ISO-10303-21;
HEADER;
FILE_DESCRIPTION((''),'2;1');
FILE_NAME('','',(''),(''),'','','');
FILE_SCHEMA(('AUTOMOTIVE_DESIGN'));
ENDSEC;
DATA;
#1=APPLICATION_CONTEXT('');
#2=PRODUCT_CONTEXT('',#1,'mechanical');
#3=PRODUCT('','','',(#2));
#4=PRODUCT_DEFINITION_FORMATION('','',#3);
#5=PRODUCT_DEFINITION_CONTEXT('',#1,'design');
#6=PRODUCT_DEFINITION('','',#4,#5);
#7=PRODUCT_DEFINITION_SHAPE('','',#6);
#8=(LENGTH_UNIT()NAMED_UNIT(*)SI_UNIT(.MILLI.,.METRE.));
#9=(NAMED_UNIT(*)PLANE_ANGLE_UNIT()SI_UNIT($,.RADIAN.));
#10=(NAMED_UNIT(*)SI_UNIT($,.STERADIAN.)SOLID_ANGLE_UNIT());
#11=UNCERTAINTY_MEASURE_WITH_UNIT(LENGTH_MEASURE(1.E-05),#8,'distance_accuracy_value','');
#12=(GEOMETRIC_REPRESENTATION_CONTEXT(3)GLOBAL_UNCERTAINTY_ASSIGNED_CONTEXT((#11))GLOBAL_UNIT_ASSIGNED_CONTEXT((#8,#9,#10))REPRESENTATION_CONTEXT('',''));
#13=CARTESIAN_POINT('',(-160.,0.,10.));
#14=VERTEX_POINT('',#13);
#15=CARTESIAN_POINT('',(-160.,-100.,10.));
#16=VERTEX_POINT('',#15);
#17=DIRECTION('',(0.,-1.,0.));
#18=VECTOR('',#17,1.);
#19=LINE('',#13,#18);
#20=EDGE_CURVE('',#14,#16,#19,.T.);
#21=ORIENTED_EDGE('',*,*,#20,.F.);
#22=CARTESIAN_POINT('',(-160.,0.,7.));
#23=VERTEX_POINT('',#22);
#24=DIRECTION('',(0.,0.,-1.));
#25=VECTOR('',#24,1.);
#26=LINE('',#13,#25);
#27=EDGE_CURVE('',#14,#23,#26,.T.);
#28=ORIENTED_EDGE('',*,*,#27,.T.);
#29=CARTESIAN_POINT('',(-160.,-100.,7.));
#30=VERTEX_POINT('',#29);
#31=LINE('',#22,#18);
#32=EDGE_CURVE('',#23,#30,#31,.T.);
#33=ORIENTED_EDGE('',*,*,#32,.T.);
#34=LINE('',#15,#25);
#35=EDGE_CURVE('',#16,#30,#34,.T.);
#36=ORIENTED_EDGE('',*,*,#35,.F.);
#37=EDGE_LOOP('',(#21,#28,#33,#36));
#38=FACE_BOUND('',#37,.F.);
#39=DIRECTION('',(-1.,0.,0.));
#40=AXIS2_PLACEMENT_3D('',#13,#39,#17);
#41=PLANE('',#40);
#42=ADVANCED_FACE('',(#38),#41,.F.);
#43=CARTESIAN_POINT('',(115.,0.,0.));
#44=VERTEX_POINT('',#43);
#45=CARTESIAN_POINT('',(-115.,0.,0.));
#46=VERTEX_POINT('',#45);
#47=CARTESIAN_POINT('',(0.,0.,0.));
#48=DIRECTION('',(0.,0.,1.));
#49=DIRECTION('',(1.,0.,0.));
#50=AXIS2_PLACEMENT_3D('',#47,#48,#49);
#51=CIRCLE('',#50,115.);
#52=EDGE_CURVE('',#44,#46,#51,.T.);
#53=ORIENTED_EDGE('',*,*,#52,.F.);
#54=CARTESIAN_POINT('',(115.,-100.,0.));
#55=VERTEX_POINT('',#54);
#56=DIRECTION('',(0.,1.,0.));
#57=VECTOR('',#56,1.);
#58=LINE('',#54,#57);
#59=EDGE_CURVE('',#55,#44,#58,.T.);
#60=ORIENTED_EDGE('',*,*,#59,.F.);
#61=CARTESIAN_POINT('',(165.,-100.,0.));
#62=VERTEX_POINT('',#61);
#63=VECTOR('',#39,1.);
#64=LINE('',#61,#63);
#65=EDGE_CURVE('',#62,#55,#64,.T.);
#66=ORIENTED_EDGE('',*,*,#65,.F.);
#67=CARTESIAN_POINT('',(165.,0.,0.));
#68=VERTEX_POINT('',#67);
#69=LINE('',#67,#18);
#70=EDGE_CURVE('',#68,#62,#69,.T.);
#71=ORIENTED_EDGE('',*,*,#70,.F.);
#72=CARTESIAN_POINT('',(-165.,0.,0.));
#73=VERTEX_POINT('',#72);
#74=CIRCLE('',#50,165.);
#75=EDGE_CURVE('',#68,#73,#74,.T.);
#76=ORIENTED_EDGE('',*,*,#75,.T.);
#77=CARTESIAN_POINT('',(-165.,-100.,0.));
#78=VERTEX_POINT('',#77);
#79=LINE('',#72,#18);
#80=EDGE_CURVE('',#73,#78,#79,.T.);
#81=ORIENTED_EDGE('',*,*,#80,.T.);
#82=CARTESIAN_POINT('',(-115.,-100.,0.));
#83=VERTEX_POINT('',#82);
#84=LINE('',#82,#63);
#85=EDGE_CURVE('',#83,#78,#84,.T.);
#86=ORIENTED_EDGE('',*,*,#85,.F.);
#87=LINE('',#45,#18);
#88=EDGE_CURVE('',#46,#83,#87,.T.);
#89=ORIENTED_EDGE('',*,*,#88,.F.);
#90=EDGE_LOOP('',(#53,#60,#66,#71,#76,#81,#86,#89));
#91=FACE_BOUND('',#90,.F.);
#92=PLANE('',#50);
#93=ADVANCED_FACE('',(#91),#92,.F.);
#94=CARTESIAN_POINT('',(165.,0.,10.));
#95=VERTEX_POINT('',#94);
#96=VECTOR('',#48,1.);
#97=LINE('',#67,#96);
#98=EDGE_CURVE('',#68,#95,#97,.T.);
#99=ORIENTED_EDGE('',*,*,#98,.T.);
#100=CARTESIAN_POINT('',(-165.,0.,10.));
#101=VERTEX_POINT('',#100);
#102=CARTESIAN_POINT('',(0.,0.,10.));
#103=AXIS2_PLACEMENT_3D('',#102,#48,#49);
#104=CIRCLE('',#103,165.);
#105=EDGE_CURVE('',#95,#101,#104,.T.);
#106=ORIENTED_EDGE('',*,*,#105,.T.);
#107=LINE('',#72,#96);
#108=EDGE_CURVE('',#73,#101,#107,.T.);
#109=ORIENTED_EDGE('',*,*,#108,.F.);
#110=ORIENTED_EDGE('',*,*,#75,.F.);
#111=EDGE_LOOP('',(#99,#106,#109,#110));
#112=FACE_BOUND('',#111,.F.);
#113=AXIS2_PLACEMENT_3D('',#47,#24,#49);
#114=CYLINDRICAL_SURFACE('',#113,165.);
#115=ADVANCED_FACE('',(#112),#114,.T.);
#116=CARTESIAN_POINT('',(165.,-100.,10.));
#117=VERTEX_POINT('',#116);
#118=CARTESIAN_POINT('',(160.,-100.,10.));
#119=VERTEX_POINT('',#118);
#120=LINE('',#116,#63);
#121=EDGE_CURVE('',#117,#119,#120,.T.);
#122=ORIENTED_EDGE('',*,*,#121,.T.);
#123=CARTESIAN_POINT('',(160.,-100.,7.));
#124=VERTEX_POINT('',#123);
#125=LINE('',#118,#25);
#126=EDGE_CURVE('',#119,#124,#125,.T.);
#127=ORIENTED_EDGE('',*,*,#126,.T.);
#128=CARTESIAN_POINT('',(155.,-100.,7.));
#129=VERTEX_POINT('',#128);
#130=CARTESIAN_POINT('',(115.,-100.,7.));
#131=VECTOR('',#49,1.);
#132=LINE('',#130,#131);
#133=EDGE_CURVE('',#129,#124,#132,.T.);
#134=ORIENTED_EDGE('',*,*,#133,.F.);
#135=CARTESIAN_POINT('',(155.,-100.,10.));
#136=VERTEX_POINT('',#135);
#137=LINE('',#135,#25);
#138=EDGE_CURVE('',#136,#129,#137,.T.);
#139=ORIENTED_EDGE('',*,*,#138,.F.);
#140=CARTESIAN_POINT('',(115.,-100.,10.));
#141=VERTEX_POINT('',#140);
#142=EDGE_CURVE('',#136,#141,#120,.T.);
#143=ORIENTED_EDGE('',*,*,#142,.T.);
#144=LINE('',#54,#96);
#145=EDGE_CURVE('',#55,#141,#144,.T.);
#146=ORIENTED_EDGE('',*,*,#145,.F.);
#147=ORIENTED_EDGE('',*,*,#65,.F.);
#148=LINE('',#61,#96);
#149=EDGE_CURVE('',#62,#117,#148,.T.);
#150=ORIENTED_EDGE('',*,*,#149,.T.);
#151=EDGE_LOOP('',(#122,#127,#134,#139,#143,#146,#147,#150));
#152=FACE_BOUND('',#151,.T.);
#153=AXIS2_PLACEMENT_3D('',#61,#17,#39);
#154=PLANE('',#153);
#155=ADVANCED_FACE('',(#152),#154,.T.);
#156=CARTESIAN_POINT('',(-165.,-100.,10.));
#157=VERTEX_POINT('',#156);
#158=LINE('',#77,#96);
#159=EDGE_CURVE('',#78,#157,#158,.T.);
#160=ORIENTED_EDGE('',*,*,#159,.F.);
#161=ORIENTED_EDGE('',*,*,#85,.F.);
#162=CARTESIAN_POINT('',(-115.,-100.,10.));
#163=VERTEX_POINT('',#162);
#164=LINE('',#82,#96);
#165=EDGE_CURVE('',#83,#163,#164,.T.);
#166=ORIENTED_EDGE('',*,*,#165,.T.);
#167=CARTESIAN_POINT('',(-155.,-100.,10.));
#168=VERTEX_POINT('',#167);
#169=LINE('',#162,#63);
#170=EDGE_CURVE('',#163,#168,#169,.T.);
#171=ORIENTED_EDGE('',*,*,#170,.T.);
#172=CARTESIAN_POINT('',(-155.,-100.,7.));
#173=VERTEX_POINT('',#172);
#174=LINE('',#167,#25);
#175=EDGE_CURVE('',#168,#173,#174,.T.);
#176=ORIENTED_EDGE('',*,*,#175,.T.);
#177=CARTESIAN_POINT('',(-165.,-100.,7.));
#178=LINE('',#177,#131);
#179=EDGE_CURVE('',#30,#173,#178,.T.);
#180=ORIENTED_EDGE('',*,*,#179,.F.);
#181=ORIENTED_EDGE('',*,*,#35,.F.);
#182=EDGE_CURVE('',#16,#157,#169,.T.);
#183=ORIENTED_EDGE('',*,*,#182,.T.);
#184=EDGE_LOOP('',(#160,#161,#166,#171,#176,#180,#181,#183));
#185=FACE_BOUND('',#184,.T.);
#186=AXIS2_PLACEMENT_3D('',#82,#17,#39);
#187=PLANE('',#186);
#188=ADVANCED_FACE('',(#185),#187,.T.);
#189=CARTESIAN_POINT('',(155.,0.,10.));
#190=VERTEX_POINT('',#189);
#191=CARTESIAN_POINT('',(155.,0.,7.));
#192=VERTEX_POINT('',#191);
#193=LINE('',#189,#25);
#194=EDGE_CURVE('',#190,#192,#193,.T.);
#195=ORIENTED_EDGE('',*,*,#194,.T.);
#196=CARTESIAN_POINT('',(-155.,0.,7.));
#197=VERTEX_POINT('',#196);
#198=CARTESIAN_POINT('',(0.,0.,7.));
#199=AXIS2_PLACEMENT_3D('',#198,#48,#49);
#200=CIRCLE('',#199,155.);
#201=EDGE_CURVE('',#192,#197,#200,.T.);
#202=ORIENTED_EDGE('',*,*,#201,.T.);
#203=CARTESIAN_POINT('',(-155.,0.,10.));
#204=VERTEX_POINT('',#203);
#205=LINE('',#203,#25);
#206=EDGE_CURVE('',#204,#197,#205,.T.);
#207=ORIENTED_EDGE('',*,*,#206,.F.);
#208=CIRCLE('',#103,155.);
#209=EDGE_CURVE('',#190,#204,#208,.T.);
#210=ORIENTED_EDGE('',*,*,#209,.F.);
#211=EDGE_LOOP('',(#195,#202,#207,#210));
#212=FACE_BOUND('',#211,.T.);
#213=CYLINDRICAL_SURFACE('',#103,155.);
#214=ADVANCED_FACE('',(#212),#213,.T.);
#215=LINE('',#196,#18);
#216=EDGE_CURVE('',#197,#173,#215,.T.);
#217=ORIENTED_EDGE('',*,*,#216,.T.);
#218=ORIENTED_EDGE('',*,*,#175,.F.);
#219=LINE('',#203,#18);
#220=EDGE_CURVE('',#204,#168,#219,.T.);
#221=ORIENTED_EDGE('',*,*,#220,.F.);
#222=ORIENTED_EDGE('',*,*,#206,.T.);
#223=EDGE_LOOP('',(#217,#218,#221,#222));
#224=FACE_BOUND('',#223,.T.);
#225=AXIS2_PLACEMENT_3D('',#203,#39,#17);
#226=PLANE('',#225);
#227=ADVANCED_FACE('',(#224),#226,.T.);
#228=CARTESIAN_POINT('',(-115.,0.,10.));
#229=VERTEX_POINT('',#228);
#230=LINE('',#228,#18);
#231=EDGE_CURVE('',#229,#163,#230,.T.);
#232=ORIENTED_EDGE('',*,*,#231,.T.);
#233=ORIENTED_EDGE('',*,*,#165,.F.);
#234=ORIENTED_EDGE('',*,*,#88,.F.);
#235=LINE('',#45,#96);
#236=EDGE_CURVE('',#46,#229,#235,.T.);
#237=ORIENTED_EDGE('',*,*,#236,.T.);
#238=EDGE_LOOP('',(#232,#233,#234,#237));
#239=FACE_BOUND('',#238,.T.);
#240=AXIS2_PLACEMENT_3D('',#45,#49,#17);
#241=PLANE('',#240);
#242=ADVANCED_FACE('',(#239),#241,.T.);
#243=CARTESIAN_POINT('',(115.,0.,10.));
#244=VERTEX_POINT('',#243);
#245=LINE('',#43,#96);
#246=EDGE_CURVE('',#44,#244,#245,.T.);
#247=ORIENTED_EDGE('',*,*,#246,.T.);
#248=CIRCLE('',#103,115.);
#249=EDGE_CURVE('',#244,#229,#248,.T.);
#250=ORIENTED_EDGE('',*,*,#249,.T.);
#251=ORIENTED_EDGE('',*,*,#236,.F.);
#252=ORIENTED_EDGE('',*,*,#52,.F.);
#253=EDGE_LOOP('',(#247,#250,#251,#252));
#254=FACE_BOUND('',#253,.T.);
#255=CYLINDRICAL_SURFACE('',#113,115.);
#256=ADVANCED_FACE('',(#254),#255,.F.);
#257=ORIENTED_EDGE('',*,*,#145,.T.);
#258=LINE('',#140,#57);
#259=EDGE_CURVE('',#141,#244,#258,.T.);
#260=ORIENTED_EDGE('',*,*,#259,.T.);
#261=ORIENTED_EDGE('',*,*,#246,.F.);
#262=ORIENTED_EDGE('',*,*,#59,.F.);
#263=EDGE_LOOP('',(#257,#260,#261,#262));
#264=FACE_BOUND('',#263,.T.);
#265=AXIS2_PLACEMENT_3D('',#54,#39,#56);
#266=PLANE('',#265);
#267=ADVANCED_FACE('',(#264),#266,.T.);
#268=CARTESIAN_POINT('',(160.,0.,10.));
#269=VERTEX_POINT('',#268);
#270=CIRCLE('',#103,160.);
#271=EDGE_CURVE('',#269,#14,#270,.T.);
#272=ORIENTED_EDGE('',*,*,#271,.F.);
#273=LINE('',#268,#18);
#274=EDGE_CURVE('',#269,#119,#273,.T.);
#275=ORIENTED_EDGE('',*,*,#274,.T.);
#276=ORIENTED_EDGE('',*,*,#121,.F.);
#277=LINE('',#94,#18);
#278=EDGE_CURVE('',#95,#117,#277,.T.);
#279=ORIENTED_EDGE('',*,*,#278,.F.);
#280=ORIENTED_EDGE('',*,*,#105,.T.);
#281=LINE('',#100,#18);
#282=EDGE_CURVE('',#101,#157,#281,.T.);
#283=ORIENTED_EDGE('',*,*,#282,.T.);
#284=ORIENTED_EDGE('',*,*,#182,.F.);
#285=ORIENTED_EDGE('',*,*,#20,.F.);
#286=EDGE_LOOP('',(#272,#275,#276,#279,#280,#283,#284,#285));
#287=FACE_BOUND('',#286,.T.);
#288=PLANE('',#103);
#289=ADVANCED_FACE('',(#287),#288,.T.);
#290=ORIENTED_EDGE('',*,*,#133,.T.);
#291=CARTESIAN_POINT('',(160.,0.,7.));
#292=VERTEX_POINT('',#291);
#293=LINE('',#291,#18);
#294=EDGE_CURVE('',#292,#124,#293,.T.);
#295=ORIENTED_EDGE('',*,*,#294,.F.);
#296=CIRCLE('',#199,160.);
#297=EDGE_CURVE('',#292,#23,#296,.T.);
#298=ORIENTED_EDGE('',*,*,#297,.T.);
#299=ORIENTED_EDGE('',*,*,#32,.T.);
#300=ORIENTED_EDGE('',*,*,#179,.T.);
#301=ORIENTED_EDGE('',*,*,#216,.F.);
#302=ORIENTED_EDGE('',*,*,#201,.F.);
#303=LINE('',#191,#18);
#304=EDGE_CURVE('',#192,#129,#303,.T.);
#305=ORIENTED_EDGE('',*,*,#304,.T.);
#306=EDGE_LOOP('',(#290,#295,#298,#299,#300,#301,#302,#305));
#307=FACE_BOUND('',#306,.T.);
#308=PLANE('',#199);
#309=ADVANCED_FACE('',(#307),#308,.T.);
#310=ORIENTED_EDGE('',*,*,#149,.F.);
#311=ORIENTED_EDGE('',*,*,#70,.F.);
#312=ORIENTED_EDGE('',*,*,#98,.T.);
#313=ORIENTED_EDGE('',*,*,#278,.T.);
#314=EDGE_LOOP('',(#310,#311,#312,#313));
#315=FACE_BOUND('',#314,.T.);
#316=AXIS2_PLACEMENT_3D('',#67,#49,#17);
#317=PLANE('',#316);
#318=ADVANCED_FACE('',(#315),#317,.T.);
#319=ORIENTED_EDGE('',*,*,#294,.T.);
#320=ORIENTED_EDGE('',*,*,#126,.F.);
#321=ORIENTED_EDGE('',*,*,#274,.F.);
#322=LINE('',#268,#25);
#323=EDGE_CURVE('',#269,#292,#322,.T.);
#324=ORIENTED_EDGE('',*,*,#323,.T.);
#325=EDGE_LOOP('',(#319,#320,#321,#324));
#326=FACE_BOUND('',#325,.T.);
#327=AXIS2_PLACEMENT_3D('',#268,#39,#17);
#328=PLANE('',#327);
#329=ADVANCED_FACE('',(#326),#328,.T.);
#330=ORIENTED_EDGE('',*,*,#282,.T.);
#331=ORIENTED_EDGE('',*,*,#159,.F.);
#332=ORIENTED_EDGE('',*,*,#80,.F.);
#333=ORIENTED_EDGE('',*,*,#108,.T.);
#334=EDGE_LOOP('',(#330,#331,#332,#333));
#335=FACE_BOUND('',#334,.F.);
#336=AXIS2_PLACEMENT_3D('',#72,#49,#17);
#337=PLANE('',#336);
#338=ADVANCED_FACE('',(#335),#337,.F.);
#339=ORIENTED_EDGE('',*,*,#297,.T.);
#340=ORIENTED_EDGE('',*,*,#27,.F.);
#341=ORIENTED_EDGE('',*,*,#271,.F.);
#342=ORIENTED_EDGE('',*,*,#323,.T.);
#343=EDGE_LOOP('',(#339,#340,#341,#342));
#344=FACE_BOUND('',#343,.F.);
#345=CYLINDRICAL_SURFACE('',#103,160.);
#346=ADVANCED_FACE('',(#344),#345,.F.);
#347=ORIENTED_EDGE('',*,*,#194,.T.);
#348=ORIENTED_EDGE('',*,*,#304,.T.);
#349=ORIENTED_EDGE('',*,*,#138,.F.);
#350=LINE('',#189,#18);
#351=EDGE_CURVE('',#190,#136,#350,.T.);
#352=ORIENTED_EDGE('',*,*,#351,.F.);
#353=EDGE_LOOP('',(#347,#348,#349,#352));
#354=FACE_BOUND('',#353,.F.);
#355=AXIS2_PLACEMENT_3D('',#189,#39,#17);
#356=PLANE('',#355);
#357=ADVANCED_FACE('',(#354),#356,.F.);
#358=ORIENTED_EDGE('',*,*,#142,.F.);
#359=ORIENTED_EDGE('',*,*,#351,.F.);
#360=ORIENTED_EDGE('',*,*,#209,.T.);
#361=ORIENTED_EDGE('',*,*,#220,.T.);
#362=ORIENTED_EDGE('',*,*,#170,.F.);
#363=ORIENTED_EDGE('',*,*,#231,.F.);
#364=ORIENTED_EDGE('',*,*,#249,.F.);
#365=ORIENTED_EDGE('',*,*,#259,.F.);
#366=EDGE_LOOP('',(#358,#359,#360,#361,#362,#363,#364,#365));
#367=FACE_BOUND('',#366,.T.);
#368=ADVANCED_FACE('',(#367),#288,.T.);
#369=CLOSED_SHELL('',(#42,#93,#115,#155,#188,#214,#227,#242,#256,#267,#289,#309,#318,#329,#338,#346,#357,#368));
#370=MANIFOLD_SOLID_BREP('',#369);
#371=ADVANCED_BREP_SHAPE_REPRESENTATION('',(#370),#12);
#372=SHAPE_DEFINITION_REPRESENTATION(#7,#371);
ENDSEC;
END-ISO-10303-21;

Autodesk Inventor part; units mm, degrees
ref_plane "YZ Plane" through (0, 0, 0) normal (1, 0, 0) x (0, 1, 0)
ref_plane "XZ Plane" through (0, 0, 0) normal (0, 1, 0) x (-1, 0, 0)
ref_plane "XY Plane" through (0, 0, 0) normal (0, 0, 1) x (1, 0, 0)
sketch "Sketch1" plane through (0, 0, 0) normal (0, 0, 1) x (1, 0, 0)
  arc A0 (165, 0) -> (-165, 0) centre (0, 0) ccw
  line L0 (-165, 0) -> (-165, -100)
  line L1 (165, 0) -> (165, -100)
  arc A1 (-165, 0) -> (165, 0) centre (0, 0) ccw construction
  arc A2 (115, 0) -> (-115, 0) centre (0, 0) ccw
  line L2 (-115, 0) -> (-115, -100)
  line L3 (-115, -100) -> (-165, -100)
  line L4 (165, -100) -> (115, -100)
  line L5 (115, -100) -> (115, 0)
  arc A3 (-115, 0) -> (115, 0) centre (0, 0) ccw construction
  dimension "d0" = 330
  dimension "d1" = 100
  dimension "d2" = 100
  dimension "d4" = 230
extrude "Extrusion1" add sketch "Sketch1" along normal blind 10
sketch "Sketch2" plane through (0, 0, 10) normal (0, 0, 1) x (1, 0, 0)
  arc A0 (160, 0) -> (-160, 0) centre (0, 0) ccw
  arc A1 (155, 0) -> (-155, 0) centre (0, 0) ccw
  line L0 (-160, 0) -> (-160, -100)
  line L1 (-165, -100) -> (-115, -100) projected
  line L2 (-155, 0) -> (-155, -100)
  line L3 (155, 0) -> (155, -100)
  line L4 (115, -100) -> (165, -100) projected
  line L5 (160, 0) -> (160, -100)
  point P0 (160, -100)
  dimension "d7" = 320
  dimension "d8" = 310
extrude "Extrusion2" cut sketch "Sketch2" against normal blind 3
properties part number "Tapa Frontar y Posterior" material "Acrylic"
